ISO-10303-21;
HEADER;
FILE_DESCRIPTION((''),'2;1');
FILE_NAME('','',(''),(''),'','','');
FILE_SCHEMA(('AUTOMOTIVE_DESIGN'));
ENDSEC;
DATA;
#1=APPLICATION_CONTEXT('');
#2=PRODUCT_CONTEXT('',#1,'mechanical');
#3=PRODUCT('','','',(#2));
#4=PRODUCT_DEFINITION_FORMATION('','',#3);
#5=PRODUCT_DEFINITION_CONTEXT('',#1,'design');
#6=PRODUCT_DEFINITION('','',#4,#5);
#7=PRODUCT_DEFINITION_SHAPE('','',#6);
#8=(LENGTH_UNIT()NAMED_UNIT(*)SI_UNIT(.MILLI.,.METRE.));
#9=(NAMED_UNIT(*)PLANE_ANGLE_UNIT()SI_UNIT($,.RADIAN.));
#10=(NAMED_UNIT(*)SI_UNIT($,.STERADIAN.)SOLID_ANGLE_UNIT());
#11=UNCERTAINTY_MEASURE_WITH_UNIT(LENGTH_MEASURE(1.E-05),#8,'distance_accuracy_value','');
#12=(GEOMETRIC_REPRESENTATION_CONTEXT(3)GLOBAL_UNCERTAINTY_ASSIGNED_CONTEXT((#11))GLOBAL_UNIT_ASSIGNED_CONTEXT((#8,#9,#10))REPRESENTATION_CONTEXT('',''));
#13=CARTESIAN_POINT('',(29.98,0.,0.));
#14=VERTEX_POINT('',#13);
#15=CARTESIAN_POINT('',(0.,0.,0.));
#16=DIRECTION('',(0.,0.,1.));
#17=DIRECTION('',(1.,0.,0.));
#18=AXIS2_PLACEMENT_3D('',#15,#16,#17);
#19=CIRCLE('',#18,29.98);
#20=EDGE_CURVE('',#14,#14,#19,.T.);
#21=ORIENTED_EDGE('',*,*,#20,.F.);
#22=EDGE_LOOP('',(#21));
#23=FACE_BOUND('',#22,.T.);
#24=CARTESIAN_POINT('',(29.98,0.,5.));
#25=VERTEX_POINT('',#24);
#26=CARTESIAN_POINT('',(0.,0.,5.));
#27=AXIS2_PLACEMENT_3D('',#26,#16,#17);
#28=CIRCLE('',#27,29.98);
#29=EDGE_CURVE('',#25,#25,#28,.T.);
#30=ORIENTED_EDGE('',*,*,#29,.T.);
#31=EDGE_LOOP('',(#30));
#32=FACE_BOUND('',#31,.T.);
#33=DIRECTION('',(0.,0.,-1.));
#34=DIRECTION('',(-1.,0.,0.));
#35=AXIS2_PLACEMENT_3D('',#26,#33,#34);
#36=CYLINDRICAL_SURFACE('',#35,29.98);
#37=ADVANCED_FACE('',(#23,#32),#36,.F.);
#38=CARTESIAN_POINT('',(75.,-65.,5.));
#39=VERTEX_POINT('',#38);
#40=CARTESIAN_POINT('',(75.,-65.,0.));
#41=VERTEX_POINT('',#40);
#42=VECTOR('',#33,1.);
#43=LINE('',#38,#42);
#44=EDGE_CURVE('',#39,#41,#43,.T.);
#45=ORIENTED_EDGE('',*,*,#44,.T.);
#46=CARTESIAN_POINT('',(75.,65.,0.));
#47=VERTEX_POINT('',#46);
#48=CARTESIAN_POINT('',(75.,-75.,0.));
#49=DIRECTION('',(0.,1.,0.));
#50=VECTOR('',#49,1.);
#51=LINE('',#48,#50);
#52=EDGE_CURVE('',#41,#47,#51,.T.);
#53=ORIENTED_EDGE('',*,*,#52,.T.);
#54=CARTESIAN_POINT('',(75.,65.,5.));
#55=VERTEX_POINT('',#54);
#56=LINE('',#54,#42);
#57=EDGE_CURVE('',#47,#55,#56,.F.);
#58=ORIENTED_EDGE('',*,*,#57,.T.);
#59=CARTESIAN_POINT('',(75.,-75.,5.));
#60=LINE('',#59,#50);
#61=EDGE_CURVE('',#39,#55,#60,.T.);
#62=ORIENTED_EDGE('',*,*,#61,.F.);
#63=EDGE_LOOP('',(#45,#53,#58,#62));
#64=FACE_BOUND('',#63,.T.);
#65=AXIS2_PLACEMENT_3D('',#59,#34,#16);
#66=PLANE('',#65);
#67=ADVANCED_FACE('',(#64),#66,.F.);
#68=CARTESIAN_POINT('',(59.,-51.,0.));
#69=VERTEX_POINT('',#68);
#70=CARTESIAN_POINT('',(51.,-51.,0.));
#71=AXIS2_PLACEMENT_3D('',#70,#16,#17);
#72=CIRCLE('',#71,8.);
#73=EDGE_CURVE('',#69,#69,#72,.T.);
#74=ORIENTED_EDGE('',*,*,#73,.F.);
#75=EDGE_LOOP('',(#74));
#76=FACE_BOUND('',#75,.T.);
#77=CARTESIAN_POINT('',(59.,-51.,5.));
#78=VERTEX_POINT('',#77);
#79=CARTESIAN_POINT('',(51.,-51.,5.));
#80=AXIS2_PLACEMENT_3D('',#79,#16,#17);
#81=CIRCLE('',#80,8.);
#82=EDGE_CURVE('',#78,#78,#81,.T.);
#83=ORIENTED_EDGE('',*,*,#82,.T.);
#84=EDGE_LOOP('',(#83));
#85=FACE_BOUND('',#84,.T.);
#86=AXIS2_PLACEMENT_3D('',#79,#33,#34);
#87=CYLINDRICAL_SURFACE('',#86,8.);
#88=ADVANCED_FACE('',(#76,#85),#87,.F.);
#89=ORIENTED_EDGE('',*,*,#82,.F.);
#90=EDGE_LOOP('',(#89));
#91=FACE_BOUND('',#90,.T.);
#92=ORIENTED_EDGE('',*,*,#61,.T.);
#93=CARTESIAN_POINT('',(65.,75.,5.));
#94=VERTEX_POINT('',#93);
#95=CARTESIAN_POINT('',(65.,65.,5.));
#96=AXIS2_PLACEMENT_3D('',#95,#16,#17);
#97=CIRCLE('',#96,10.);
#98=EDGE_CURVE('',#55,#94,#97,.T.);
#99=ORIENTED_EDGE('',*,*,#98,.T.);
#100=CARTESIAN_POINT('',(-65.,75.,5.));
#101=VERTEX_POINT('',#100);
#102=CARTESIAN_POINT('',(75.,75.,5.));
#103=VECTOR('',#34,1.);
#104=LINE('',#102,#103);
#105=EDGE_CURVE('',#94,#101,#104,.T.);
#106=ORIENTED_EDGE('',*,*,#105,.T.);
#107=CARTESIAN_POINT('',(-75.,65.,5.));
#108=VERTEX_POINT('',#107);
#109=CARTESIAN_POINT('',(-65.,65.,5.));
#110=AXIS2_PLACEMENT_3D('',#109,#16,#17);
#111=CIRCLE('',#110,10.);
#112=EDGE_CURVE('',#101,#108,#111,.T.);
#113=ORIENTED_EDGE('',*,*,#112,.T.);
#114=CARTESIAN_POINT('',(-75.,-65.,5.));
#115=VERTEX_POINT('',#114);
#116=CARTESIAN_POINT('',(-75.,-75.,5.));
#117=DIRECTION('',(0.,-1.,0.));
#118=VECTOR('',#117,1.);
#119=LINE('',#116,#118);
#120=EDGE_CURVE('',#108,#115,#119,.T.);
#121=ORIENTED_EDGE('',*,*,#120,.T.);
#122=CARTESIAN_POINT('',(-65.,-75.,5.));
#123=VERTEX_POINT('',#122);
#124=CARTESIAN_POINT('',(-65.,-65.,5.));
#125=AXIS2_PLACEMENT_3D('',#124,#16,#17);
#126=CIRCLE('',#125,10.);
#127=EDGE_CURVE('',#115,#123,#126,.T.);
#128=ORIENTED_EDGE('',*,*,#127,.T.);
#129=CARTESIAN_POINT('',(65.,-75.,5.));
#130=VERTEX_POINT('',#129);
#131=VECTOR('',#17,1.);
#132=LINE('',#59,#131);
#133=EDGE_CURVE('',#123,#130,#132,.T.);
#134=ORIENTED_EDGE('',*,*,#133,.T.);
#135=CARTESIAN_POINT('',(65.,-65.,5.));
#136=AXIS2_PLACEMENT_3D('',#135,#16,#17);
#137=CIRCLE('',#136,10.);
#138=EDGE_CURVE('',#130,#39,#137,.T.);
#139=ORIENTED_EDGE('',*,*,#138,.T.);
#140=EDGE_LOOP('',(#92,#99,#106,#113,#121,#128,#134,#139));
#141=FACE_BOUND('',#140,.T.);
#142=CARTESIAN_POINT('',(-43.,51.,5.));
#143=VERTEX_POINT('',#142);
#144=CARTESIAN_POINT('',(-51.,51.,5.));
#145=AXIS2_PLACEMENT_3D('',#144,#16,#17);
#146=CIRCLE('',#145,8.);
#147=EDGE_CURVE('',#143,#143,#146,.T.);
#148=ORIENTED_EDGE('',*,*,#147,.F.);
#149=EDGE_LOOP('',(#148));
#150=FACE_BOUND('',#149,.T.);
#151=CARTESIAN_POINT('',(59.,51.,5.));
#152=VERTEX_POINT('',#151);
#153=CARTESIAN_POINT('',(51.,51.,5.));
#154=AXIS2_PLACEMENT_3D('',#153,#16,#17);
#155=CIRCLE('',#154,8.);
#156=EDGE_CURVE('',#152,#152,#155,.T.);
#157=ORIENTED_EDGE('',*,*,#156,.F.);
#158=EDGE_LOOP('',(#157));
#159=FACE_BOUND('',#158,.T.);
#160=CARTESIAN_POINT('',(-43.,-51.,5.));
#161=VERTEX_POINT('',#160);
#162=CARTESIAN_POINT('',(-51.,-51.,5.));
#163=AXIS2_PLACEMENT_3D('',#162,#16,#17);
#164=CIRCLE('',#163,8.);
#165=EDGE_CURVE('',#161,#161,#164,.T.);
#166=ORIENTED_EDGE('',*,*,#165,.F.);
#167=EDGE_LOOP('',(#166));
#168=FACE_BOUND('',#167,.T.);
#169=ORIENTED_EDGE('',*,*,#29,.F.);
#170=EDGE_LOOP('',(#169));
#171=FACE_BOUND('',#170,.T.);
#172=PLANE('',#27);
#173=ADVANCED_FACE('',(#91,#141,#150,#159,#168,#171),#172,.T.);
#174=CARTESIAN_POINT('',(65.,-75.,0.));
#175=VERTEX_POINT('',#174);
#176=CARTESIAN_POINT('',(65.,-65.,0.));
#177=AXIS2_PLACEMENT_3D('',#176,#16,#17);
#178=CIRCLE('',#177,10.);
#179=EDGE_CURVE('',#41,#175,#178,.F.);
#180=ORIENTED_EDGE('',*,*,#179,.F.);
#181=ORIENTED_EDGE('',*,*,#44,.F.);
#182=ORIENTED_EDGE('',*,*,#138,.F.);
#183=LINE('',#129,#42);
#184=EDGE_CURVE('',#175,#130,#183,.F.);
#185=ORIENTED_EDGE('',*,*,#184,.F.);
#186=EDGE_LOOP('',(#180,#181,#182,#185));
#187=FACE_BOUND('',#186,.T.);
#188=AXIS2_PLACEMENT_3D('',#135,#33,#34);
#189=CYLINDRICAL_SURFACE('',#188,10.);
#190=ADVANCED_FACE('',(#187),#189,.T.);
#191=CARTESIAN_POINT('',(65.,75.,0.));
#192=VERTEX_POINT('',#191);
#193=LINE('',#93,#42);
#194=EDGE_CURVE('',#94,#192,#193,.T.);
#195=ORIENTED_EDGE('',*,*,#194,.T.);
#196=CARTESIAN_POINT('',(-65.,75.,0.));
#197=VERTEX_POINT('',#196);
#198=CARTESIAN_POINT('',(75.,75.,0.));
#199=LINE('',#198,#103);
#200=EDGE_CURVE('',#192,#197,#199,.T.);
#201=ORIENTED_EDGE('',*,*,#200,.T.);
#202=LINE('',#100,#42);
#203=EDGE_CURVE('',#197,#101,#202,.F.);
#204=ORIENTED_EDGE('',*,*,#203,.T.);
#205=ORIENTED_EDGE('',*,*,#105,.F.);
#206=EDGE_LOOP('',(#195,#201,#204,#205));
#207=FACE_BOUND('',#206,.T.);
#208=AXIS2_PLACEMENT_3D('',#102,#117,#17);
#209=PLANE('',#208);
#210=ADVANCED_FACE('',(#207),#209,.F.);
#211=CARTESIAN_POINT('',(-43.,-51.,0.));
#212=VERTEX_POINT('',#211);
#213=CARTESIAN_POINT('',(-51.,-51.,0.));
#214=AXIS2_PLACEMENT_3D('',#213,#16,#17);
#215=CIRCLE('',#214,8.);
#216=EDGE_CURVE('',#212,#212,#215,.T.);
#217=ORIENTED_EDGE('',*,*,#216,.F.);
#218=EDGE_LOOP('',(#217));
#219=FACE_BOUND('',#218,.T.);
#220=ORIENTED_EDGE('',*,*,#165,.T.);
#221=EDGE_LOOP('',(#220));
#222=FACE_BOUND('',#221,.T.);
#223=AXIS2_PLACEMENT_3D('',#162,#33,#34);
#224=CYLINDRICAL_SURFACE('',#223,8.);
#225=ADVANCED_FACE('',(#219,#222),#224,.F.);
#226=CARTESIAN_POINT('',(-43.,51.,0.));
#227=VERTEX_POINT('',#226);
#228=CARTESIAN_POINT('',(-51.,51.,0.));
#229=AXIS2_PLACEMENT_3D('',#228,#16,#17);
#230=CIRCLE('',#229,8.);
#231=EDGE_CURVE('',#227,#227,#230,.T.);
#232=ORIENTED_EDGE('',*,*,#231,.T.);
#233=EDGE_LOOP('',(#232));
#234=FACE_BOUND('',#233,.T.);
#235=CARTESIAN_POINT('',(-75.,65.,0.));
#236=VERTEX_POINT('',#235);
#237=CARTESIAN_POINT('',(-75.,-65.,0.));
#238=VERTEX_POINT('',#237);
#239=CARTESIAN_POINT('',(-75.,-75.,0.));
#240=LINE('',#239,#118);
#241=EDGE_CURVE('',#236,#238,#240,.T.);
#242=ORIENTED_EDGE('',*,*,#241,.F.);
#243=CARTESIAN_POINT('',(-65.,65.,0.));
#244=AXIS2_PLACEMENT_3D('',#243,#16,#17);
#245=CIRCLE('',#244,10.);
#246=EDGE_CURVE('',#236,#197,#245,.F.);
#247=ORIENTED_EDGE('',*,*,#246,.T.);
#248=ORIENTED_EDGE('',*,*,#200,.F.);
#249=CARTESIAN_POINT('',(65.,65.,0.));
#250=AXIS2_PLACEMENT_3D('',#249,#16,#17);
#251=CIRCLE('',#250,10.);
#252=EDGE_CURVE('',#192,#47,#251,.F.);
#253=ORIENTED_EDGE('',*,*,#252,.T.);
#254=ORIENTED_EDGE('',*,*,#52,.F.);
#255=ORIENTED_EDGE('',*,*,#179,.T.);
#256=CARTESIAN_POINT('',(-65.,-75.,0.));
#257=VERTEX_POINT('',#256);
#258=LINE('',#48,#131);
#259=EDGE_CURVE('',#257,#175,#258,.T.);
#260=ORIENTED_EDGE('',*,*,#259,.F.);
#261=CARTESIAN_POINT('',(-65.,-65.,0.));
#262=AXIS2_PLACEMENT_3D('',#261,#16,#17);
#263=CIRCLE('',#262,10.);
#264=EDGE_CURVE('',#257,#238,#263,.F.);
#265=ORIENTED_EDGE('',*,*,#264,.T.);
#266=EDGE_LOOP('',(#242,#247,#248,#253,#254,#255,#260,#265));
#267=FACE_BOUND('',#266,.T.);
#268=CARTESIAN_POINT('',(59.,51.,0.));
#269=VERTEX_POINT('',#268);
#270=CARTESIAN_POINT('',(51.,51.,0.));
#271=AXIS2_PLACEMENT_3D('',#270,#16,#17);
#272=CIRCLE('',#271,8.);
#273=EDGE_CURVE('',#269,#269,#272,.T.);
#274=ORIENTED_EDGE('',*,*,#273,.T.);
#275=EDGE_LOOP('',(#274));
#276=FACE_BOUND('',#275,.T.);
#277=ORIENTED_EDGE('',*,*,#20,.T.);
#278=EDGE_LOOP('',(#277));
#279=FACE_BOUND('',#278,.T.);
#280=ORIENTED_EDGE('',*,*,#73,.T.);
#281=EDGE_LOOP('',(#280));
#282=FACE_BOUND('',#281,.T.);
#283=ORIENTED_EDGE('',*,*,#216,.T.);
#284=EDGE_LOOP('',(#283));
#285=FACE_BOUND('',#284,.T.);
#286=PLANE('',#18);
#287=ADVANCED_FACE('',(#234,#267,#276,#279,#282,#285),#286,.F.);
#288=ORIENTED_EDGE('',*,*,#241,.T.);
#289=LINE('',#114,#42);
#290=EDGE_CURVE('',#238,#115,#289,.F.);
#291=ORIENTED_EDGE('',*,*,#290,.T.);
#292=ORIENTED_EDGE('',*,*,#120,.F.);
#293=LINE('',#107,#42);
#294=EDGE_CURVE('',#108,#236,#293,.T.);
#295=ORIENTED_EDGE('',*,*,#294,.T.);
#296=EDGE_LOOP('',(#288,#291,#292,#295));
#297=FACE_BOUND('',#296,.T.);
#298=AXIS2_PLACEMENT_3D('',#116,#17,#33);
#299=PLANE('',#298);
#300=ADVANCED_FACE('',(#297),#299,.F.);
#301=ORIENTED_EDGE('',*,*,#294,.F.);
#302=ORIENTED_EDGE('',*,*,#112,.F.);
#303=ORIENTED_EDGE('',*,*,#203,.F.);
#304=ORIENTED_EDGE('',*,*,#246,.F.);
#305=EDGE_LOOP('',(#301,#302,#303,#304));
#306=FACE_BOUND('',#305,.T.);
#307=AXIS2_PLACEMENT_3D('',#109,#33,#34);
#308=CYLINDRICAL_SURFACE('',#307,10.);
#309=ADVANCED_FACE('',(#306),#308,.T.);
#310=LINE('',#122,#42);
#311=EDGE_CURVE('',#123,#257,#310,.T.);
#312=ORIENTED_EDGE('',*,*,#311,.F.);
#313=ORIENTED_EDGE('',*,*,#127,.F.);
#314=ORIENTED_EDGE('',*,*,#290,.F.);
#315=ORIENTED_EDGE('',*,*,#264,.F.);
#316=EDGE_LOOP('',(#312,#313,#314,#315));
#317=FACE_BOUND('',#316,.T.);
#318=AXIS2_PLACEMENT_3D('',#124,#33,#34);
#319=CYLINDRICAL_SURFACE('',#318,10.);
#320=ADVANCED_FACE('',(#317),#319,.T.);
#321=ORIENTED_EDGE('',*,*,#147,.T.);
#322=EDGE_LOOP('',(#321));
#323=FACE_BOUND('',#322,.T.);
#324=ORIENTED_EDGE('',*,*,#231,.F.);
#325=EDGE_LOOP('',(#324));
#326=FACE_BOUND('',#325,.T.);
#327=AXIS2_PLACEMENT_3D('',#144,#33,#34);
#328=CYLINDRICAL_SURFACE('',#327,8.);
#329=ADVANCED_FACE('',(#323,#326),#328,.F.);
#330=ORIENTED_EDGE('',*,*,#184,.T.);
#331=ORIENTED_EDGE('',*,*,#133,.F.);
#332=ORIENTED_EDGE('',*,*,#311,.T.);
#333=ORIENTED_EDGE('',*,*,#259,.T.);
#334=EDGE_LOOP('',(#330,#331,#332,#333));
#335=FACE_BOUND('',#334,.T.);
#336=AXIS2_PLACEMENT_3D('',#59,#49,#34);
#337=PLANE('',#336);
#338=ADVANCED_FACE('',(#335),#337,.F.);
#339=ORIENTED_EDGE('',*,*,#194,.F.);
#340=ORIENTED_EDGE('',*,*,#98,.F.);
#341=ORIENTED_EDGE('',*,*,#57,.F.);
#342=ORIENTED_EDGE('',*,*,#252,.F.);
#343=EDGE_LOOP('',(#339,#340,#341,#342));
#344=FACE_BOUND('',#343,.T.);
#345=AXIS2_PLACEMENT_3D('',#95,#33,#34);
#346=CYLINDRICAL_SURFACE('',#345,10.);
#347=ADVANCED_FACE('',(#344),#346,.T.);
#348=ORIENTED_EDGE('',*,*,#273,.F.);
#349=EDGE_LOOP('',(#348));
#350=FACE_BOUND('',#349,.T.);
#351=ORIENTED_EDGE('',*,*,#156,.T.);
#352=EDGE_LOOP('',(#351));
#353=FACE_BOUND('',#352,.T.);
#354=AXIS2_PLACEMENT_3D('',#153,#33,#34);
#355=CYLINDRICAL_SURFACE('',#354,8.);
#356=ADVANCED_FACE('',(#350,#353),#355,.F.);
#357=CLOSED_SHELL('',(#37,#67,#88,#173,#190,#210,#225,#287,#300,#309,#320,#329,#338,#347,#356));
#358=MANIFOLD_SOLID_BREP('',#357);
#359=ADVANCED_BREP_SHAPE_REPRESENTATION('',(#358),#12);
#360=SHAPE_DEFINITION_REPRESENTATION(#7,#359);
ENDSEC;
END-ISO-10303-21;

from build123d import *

# Parameters (mm, degrees)
SKETCH1_W           = 150
SKETCH1_H           = 150
SKETCH1_R           = 29.98
SKETCH1_R_2         = 8
BOSS_EXTRUDE1_DEPTH = 5
FILLET1_R           = 10


with BuildPart() as part:
    # Sketch1 → Boss-Extrude1 (new body)
    with BuildSketch(Plane.XY):
        Rectangle(SKETCH1_W, SKETCH1_H)
        Circle(SKETCH1_R, mode=Mode.SUBTRACT)
        with Locations((51, 51)):
            Circle(SKETCH1_R_2, mode=Mode.SUBTRACT)
        with Locations((-51, 51)):
            Circle(SKETCH1_R_2, mode=Mode.SUBTRACT)
        with Locations((-51, -51)):
            Circle(SKETCH1_R_2, mode=Mode.SUBTRACT)
        with Locations((51, -51)):
            Circle(SKETCH1_R_2, mode=Mode.SUBTRACT)
    extrude(amount=BOSS_EXTRUDE1_DEPTH)

    # Fillet1
    fillet1_edges = [part.edges().sort_by_distance(p)[0] for p in [
        (-75, 75, 2.5),
        (75, 75, 2.5),
        (75, -75, 2.5),
        (-75, -75, 2.5),
    ]]
    fillet(fillet1_edges, radius=FILLET1_R)


solid = part.part
